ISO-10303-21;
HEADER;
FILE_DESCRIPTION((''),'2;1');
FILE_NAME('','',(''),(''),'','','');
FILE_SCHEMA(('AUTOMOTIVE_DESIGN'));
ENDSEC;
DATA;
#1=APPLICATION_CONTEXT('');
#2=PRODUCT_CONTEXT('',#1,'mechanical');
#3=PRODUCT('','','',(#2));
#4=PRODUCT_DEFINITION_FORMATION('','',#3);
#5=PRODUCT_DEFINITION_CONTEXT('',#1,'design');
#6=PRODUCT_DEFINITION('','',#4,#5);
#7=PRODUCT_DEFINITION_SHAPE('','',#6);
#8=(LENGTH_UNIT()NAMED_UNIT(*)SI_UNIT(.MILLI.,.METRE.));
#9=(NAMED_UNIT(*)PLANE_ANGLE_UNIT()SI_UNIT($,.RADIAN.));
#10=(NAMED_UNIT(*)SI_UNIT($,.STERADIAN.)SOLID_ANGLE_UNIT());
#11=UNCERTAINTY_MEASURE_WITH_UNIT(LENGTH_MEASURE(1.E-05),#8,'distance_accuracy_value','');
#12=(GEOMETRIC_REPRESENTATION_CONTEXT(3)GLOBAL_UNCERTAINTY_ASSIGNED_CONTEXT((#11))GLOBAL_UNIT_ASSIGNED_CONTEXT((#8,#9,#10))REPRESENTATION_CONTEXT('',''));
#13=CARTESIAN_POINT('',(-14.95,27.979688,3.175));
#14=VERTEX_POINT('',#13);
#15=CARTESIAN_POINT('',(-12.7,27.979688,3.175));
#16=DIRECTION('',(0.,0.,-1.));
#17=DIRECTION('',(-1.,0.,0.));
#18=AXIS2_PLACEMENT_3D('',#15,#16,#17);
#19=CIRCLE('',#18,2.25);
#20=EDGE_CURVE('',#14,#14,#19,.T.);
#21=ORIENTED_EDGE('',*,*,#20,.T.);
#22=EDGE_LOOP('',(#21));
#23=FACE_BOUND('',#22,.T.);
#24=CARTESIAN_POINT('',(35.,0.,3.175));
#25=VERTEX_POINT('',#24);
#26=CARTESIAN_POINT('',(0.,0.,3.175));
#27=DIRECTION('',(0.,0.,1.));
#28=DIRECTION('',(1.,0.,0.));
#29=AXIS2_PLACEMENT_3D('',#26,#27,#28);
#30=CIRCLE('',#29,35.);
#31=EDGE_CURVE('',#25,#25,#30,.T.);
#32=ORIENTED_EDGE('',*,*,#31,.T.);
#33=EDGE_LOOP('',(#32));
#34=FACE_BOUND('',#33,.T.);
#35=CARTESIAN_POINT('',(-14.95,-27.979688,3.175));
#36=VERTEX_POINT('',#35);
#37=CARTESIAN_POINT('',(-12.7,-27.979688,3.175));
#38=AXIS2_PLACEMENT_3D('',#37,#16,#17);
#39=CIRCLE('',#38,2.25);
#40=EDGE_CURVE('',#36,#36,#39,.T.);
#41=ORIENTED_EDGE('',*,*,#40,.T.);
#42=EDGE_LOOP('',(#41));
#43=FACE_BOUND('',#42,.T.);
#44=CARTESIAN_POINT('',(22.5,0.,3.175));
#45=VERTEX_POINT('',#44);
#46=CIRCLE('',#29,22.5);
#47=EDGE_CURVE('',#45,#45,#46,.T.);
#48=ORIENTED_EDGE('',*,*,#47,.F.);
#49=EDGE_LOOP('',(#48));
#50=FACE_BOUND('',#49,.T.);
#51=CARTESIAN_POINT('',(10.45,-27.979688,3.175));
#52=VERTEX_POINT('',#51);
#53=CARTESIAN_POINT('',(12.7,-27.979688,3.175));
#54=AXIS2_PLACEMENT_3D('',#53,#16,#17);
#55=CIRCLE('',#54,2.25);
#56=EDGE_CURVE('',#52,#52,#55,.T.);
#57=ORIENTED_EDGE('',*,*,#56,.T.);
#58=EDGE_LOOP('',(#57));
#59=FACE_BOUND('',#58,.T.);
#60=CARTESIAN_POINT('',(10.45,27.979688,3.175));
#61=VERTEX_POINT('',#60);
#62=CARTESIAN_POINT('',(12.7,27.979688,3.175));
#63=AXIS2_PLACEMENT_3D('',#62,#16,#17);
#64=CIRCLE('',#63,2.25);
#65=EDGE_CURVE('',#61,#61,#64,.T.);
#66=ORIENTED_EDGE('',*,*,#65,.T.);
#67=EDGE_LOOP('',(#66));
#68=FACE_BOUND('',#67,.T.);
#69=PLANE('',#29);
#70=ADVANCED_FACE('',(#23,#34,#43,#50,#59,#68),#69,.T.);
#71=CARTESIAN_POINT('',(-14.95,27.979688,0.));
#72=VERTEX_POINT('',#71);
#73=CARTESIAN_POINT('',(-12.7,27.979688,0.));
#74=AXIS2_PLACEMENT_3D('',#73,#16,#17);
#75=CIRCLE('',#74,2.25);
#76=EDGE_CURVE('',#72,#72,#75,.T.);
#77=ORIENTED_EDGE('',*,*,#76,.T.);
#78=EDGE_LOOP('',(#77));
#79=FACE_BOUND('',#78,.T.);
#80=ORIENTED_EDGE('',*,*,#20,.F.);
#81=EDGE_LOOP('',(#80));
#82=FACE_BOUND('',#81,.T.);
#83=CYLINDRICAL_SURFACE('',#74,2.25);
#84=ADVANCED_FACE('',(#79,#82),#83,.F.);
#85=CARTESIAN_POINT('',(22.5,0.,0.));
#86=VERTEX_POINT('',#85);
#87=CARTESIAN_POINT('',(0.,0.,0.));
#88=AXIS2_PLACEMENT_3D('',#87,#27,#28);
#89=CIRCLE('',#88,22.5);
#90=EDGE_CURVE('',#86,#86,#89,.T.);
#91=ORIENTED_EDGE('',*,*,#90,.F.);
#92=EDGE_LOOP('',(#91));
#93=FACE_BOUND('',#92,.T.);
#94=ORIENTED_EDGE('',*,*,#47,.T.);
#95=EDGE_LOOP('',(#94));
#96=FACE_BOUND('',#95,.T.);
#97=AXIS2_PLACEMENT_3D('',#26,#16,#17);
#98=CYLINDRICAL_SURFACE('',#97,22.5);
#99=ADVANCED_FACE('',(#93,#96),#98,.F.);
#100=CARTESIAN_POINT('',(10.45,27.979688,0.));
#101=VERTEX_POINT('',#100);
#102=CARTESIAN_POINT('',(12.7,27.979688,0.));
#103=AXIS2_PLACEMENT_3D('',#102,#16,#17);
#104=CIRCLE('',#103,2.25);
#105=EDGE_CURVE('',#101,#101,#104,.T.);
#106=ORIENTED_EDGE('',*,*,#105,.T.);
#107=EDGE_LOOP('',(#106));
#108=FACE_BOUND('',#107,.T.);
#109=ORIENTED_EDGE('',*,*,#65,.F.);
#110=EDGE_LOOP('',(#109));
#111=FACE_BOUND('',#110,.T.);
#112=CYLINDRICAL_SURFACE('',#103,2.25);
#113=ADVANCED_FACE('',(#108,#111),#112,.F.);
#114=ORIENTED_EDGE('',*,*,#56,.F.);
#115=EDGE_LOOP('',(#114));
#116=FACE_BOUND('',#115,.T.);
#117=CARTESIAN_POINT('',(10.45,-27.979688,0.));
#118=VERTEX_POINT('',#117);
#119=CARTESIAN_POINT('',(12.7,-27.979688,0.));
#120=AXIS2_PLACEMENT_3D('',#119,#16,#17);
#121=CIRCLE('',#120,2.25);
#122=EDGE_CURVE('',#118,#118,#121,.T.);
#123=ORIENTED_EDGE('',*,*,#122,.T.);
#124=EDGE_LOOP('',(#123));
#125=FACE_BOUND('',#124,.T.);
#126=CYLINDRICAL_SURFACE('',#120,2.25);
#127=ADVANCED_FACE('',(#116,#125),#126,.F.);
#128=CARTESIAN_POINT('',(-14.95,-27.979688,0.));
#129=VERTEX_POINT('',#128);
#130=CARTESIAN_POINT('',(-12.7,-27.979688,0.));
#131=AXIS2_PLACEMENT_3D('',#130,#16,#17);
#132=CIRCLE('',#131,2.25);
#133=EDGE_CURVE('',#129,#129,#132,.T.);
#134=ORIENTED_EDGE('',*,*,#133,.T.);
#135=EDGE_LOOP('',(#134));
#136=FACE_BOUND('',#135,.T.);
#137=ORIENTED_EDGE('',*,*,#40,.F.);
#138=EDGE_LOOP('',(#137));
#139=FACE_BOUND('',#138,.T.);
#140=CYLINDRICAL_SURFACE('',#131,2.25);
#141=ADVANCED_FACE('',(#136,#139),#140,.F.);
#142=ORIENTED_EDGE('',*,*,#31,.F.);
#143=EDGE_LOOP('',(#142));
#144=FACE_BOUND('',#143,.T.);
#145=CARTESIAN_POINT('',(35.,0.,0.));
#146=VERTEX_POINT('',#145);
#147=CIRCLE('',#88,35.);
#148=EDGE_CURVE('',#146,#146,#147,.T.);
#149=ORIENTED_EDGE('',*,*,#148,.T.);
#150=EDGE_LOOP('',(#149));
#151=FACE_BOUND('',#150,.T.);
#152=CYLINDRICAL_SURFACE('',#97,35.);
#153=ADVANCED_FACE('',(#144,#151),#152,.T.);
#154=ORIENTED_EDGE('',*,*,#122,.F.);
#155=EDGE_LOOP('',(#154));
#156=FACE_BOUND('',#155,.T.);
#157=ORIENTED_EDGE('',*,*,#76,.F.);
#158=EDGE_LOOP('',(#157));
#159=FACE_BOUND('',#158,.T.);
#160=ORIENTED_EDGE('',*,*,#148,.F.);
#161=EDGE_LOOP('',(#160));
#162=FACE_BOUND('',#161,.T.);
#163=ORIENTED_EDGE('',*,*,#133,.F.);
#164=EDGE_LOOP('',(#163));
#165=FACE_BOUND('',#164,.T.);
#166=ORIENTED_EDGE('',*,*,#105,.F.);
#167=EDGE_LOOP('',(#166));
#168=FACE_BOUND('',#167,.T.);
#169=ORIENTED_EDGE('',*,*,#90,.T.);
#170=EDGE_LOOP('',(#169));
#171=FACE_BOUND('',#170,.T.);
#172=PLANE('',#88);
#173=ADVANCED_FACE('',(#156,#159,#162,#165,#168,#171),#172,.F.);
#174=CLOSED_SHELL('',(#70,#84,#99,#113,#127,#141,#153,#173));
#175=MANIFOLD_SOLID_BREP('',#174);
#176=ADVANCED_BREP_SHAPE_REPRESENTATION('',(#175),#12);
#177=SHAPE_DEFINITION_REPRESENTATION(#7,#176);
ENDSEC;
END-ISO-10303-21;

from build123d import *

# Parameters (mm, degrees)
SKETCH2_R            = 35
SKETCH2_R_2          = 22.5
BOSS_EXTRUDE1_DEPTH  = 3.175
M4_CLEARANCE_HOLE1_D = 4.5


with BuildPart() as part:
    # Sketch2 → Boss-Extrude1 (new body)
    with BuildSketch(Plane.XY):
        Circle(SKETCH2_R)
        Circle(SKETCH2_R_2, mode=Mode.SUBTRACT)
    extrude(amount=BOSS_EXTRUDE1_DEPTH)

    # M4 Clearance Hole1 (through all)
    with Locations(Plane(origin=(0, 0, 0), x_dir=(-1, 0, 0), z_dir=(0, 0, -1))):
        with Locations((-12.7, 27.9796875), (12.7, 27.9796875), (12.7, -27.9796875), (-12.7, -27.9796875)):
            Hole(M4_CLEARANCE_HOLE1_D / 2)


solid = part.part
